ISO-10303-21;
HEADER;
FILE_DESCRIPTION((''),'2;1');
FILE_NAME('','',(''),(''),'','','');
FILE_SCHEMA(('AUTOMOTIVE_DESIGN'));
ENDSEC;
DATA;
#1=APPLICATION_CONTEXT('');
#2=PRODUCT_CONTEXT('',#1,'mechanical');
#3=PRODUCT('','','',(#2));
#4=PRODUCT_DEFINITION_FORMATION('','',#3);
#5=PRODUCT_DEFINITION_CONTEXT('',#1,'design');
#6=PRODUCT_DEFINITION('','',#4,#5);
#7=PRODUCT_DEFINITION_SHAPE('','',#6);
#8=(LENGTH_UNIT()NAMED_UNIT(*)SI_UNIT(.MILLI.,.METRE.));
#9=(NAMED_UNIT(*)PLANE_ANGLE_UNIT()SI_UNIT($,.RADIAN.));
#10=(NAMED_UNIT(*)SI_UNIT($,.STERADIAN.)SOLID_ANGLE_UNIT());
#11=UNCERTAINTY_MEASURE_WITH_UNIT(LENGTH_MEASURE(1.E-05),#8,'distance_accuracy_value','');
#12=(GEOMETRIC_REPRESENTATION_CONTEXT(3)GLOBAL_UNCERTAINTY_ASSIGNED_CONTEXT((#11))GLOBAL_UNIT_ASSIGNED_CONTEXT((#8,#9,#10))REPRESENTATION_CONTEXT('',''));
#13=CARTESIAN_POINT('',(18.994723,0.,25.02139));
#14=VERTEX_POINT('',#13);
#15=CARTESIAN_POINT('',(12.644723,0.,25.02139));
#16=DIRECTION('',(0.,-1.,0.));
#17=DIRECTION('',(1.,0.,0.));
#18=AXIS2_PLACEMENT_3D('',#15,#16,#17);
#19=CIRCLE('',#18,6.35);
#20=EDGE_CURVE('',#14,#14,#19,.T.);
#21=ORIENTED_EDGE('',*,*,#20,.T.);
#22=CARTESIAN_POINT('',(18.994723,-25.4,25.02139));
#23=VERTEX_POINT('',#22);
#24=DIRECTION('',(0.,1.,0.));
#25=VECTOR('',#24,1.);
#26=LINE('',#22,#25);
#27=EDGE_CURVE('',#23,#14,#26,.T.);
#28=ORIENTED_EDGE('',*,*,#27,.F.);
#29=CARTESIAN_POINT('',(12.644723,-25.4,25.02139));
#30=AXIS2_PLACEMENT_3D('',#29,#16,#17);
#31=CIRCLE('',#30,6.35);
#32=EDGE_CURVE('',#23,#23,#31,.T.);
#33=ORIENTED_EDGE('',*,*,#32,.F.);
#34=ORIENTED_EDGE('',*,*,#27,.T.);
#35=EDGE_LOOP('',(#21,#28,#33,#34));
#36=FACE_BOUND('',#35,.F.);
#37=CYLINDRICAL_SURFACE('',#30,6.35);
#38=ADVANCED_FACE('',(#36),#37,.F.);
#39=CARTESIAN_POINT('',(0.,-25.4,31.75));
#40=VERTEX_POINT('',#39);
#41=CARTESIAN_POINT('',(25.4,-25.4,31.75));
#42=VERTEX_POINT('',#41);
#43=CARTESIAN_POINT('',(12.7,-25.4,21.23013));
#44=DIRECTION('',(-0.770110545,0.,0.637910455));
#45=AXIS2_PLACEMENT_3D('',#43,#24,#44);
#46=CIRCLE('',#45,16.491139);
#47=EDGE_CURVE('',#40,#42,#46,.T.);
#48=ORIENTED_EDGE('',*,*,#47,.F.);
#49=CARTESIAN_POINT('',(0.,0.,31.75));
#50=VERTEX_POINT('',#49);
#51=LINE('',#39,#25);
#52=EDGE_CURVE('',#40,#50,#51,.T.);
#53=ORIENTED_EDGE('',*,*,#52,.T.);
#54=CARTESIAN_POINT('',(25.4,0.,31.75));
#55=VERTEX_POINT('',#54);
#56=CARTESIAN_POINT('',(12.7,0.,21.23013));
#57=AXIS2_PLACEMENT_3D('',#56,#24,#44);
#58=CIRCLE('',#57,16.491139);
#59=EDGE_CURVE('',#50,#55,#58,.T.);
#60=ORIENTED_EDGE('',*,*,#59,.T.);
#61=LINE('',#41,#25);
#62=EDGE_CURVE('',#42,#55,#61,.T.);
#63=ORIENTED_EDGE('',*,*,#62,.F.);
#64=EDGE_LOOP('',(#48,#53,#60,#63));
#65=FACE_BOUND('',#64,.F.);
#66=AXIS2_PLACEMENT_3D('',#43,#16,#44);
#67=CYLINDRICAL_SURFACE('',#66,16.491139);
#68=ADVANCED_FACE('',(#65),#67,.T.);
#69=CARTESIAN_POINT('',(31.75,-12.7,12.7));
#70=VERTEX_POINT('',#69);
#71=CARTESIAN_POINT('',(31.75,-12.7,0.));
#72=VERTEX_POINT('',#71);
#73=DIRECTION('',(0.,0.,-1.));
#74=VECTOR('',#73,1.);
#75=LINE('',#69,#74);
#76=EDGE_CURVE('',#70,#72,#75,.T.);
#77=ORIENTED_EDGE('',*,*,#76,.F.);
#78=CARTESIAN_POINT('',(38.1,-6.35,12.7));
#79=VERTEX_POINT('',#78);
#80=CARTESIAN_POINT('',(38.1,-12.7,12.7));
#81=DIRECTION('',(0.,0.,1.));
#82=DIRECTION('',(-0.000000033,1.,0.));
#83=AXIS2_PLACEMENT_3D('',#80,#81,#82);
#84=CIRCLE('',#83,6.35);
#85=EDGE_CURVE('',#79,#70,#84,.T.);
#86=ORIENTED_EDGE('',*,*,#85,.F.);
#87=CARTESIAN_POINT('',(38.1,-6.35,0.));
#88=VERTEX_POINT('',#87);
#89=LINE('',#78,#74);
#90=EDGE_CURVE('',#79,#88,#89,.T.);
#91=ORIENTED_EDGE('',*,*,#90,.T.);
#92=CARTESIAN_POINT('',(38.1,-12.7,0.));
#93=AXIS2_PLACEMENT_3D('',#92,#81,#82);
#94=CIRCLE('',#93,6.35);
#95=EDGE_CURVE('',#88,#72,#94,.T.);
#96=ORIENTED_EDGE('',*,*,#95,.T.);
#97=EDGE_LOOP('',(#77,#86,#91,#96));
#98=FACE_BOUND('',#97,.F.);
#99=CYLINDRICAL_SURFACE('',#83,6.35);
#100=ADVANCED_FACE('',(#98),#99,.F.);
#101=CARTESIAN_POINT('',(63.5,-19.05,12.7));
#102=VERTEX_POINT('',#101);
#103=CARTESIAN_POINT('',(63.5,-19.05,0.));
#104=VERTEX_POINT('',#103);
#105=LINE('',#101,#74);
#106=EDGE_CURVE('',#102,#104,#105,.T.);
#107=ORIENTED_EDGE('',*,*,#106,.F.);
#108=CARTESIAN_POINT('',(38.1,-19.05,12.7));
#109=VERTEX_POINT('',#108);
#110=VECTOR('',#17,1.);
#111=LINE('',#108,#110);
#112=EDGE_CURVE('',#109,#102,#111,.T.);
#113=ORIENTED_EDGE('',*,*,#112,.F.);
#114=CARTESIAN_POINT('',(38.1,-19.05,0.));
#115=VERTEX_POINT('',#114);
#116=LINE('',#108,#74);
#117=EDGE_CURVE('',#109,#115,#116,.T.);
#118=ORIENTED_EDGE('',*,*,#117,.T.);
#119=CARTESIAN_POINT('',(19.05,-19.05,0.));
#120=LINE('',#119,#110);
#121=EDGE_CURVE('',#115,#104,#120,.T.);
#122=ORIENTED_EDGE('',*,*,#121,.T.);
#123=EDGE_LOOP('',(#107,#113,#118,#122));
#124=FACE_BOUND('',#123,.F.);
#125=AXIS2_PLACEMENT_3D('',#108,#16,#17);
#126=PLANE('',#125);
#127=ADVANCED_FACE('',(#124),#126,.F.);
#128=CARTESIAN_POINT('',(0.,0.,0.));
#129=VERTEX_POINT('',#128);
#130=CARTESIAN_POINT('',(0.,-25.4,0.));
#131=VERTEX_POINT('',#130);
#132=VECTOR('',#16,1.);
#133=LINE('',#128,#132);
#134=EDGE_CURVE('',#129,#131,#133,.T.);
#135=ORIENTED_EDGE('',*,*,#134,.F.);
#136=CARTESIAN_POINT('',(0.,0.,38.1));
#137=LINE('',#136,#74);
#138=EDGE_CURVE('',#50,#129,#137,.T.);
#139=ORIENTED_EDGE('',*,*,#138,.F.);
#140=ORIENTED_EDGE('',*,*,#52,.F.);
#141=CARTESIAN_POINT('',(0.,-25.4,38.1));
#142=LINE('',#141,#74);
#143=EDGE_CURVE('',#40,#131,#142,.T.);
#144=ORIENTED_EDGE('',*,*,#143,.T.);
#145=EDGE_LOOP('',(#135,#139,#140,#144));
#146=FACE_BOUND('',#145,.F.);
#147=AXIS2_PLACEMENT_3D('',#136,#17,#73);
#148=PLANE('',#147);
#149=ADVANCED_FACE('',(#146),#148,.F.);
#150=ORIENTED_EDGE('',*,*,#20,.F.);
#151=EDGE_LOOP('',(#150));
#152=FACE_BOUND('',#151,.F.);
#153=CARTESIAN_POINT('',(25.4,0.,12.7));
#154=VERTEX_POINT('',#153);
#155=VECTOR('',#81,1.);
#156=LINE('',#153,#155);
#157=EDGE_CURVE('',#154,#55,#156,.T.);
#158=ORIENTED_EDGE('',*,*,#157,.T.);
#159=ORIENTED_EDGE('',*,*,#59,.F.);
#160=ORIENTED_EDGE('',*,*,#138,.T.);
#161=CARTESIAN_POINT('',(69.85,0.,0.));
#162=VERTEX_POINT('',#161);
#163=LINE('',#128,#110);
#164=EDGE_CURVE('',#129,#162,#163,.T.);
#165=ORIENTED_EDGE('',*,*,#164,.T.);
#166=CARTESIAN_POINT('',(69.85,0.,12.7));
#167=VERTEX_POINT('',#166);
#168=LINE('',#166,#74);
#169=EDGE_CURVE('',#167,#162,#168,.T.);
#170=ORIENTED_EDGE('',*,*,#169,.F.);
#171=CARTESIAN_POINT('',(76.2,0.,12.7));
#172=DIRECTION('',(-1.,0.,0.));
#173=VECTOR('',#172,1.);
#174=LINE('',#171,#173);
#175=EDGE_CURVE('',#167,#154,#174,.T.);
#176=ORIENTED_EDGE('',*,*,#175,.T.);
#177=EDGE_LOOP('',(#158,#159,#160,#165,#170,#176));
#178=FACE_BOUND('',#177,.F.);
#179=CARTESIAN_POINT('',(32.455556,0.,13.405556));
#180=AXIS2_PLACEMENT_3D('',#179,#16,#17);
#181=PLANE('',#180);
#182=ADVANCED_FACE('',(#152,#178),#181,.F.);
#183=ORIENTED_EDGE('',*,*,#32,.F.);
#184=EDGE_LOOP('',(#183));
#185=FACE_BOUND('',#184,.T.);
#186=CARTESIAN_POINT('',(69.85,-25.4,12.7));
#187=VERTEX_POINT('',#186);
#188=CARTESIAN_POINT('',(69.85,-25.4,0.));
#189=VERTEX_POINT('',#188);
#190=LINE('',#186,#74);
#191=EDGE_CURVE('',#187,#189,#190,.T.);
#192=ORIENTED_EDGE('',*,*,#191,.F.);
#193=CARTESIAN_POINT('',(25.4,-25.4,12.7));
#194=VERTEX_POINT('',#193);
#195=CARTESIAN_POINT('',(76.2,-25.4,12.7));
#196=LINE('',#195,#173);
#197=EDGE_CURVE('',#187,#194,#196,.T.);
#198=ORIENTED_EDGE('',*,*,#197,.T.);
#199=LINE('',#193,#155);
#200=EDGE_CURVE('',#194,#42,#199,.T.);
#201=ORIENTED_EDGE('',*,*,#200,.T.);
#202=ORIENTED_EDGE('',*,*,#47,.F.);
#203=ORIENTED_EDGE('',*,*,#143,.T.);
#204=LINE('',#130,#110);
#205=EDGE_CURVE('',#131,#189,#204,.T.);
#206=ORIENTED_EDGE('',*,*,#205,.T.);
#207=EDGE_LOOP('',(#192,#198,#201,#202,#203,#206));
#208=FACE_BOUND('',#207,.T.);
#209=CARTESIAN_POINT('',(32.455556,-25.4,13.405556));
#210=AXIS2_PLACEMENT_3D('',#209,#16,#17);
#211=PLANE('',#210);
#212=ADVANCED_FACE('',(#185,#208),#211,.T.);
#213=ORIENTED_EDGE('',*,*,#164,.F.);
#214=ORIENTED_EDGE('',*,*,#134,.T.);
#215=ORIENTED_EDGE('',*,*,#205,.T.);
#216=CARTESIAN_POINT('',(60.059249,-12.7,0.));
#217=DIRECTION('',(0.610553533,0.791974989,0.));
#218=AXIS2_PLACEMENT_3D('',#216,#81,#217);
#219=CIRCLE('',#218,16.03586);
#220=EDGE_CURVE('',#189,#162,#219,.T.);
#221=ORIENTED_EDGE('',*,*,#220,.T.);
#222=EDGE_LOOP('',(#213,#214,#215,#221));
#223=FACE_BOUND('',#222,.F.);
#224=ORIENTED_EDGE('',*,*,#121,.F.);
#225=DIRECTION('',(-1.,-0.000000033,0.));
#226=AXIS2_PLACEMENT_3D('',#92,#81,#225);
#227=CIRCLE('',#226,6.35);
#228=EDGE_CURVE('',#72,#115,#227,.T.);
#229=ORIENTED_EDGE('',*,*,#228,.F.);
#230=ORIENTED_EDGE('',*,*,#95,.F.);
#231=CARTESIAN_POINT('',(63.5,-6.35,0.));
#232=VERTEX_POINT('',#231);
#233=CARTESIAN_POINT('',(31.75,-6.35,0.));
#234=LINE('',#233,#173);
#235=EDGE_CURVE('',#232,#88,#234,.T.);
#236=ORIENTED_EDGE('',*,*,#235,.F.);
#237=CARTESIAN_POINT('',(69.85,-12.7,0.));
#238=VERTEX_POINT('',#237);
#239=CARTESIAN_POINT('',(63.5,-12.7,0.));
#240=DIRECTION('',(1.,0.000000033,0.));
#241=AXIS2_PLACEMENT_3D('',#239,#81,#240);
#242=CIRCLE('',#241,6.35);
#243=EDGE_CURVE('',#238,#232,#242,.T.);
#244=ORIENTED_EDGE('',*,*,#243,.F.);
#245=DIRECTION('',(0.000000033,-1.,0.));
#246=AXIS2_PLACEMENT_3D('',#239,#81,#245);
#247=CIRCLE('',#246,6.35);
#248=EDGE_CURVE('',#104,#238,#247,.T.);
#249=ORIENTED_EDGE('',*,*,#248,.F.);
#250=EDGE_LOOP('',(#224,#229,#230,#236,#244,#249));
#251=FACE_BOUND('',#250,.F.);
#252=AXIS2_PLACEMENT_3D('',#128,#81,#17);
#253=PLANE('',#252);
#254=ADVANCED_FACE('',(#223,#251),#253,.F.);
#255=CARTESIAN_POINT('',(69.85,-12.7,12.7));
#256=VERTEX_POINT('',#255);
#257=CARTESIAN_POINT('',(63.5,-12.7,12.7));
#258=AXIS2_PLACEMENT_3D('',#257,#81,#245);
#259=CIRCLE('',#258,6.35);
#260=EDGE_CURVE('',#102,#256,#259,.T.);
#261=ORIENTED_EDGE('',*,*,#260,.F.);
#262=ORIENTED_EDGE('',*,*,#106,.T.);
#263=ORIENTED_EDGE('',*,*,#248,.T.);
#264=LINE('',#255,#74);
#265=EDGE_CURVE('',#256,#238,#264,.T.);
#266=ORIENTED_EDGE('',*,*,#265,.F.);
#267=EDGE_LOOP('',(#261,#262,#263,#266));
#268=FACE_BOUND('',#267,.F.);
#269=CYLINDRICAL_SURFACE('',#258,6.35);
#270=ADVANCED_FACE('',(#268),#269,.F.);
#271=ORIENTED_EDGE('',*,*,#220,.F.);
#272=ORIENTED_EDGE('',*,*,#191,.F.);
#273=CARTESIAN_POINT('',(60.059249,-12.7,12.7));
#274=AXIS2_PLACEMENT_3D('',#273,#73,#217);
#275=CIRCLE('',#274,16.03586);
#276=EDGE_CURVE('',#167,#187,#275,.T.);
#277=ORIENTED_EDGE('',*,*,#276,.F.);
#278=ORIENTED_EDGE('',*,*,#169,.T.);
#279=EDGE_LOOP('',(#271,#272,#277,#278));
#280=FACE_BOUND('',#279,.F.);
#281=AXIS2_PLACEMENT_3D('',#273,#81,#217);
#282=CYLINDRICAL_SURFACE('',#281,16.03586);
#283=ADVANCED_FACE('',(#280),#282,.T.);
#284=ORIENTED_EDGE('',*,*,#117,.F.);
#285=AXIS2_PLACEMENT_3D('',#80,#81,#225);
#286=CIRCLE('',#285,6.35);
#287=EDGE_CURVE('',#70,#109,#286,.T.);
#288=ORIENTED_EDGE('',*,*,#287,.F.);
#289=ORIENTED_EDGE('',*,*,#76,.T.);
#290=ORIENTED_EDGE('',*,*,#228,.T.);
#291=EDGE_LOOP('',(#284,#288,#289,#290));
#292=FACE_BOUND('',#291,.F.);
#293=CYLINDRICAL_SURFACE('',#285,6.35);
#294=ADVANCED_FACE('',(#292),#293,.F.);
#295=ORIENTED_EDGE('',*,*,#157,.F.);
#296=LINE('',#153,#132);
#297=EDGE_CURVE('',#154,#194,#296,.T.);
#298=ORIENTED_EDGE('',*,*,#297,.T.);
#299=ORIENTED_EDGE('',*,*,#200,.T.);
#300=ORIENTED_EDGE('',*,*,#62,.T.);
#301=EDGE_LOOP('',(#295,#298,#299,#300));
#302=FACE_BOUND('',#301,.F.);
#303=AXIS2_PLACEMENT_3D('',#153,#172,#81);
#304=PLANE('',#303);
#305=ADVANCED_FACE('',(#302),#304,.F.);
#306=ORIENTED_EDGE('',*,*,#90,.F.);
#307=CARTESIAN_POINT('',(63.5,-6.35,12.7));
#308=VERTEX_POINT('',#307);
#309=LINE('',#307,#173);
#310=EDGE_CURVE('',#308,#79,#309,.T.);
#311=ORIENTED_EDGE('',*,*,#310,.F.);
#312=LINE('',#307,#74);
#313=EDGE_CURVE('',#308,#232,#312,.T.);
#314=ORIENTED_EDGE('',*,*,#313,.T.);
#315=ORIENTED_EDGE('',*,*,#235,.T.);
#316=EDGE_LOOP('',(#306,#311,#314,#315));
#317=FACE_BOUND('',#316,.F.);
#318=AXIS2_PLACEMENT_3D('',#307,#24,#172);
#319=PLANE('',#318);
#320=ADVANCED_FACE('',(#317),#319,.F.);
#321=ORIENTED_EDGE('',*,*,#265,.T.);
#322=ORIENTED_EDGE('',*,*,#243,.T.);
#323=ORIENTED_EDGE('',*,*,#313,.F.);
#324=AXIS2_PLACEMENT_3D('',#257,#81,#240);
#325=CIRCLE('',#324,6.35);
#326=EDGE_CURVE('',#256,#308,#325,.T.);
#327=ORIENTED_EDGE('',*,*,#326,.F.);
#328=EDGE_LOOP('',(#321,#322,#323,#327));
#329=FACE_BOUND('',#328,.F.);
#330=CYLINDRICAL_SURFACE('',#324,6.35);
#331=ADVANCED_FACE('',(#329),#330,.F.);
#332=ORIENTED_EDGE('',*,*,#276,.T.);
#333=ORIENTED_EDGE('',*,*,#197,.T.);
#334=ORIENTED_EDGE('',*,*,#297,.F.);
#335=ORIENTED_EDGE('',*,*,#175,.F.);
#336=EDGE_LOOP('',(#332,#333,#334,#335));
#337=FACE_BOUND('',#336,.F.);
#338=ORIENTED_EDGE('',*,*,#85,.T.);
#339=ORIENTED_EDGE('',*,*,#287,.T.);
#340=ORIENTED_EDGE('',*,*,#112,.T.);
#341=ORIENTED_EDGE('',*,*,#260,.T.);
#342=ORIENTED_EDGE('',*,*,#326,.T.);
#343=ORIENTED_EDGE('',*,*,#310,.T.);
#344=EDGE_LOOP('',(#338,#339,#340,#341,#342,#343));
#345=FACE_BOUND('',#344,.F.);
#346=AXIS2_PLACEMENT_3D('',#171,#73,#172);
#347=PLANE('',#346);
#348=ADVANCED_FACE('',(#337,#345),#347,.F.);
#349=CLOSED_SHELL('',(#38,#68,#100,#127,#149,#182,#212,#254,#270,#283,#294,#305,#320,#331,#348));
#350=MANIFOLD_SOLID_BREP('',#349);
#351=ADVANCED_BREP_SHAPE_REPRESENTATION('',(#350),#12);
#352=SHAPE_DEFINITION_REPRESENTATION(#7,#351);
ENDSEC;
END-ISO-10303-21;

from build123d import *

# Parameters (mm, degrees)
F1_DEPTH = 25.4
F3_DEPTH = 25.4
F5_DEPTH = 25.4
F6_R     = 6.35
F7_DEPTH = 25.4
F9_DEPTH = 25.4


with BuildPart() as f1:
    # F0 (on Front) → F1 (new body)
    with BuildSketch(Plane.XZ):
        Polygon((0, 38.1), (0, 0), (76.2, 0), (76.2, 12.7), (25.4, 12.7), (25.4, 38.1), align=None)
    extrude(amount=F1_DEPTH)

    # F2 (on face) → F3 (cut)
    with BuildSketch(Plane.XZ.offset(25.4)):
        with BuildLine():
            Line((0, 38.1), (0, 31.75))
            ThreePointArc((0, 31.75), (12.7, 37.721269), (25.4, 31.75))
            Line((25.4, 31.75), (25.4, 38.1))
            Line((25.4, 38.1), (0, 38.1))
        make_face()
    extrude(amount=-F3_DEPTH, mode=Mode.SUBTRACT)

    # F4 (on face) → F5 (cut)
    with BuildSketch(Plane.XY.offset(12.7)):
        with BuildLine():
            Line((63.5, -6.35), (38.1, -6.35))
            ThreePointArc((38.1, -6.35), (33.609872, -8.209872), (31.75, -12.7))
            ThreePointArc((31.75, -12.7), (33.609872, -17.190128), (38.1, -19.05))
            Line((38.1, -19.05), (63.5, -19.05))
            ThreePointArc((63.5, -19.05), (67.990128, -17.190128), (69.85, -12.7))
            ThreePointArc((69.85, -12.7), (67.990128, -8.209872), (63.5, -6.35))
        make_face()
    extrude(amount=-F5_DEPTH, mode=Mode.SUBTRACT)

    # F6 (on face) → F7 (cut)
    with BuildSketch(Plane.XZ.offset(25.4)):
        with Locations((12.644723, 25.02139)):
            Circle(F6_R)
    extrude(amount=-F7_DEPTH, mode=Mode.SUBTRACT)

    # F8 (on face) → F9 (cut)
    with BuildSketch(Plane.XY.offset(12.7)):
        with BuildLine():
            Line((76.2, 0), (69.85, 0))
            ThreePointArc((69.85, 0), (76.095109, -12.7), (69.85, -25.4))
            Line((69.85, -25.4), (76.2, -25.4))
            Line((76.2, -25.4), (76.2, 0))
        make_face()
    extrude(amount=-F9_DEPTH, mode=Mode.SUBTRACT)


solid = f1.part
